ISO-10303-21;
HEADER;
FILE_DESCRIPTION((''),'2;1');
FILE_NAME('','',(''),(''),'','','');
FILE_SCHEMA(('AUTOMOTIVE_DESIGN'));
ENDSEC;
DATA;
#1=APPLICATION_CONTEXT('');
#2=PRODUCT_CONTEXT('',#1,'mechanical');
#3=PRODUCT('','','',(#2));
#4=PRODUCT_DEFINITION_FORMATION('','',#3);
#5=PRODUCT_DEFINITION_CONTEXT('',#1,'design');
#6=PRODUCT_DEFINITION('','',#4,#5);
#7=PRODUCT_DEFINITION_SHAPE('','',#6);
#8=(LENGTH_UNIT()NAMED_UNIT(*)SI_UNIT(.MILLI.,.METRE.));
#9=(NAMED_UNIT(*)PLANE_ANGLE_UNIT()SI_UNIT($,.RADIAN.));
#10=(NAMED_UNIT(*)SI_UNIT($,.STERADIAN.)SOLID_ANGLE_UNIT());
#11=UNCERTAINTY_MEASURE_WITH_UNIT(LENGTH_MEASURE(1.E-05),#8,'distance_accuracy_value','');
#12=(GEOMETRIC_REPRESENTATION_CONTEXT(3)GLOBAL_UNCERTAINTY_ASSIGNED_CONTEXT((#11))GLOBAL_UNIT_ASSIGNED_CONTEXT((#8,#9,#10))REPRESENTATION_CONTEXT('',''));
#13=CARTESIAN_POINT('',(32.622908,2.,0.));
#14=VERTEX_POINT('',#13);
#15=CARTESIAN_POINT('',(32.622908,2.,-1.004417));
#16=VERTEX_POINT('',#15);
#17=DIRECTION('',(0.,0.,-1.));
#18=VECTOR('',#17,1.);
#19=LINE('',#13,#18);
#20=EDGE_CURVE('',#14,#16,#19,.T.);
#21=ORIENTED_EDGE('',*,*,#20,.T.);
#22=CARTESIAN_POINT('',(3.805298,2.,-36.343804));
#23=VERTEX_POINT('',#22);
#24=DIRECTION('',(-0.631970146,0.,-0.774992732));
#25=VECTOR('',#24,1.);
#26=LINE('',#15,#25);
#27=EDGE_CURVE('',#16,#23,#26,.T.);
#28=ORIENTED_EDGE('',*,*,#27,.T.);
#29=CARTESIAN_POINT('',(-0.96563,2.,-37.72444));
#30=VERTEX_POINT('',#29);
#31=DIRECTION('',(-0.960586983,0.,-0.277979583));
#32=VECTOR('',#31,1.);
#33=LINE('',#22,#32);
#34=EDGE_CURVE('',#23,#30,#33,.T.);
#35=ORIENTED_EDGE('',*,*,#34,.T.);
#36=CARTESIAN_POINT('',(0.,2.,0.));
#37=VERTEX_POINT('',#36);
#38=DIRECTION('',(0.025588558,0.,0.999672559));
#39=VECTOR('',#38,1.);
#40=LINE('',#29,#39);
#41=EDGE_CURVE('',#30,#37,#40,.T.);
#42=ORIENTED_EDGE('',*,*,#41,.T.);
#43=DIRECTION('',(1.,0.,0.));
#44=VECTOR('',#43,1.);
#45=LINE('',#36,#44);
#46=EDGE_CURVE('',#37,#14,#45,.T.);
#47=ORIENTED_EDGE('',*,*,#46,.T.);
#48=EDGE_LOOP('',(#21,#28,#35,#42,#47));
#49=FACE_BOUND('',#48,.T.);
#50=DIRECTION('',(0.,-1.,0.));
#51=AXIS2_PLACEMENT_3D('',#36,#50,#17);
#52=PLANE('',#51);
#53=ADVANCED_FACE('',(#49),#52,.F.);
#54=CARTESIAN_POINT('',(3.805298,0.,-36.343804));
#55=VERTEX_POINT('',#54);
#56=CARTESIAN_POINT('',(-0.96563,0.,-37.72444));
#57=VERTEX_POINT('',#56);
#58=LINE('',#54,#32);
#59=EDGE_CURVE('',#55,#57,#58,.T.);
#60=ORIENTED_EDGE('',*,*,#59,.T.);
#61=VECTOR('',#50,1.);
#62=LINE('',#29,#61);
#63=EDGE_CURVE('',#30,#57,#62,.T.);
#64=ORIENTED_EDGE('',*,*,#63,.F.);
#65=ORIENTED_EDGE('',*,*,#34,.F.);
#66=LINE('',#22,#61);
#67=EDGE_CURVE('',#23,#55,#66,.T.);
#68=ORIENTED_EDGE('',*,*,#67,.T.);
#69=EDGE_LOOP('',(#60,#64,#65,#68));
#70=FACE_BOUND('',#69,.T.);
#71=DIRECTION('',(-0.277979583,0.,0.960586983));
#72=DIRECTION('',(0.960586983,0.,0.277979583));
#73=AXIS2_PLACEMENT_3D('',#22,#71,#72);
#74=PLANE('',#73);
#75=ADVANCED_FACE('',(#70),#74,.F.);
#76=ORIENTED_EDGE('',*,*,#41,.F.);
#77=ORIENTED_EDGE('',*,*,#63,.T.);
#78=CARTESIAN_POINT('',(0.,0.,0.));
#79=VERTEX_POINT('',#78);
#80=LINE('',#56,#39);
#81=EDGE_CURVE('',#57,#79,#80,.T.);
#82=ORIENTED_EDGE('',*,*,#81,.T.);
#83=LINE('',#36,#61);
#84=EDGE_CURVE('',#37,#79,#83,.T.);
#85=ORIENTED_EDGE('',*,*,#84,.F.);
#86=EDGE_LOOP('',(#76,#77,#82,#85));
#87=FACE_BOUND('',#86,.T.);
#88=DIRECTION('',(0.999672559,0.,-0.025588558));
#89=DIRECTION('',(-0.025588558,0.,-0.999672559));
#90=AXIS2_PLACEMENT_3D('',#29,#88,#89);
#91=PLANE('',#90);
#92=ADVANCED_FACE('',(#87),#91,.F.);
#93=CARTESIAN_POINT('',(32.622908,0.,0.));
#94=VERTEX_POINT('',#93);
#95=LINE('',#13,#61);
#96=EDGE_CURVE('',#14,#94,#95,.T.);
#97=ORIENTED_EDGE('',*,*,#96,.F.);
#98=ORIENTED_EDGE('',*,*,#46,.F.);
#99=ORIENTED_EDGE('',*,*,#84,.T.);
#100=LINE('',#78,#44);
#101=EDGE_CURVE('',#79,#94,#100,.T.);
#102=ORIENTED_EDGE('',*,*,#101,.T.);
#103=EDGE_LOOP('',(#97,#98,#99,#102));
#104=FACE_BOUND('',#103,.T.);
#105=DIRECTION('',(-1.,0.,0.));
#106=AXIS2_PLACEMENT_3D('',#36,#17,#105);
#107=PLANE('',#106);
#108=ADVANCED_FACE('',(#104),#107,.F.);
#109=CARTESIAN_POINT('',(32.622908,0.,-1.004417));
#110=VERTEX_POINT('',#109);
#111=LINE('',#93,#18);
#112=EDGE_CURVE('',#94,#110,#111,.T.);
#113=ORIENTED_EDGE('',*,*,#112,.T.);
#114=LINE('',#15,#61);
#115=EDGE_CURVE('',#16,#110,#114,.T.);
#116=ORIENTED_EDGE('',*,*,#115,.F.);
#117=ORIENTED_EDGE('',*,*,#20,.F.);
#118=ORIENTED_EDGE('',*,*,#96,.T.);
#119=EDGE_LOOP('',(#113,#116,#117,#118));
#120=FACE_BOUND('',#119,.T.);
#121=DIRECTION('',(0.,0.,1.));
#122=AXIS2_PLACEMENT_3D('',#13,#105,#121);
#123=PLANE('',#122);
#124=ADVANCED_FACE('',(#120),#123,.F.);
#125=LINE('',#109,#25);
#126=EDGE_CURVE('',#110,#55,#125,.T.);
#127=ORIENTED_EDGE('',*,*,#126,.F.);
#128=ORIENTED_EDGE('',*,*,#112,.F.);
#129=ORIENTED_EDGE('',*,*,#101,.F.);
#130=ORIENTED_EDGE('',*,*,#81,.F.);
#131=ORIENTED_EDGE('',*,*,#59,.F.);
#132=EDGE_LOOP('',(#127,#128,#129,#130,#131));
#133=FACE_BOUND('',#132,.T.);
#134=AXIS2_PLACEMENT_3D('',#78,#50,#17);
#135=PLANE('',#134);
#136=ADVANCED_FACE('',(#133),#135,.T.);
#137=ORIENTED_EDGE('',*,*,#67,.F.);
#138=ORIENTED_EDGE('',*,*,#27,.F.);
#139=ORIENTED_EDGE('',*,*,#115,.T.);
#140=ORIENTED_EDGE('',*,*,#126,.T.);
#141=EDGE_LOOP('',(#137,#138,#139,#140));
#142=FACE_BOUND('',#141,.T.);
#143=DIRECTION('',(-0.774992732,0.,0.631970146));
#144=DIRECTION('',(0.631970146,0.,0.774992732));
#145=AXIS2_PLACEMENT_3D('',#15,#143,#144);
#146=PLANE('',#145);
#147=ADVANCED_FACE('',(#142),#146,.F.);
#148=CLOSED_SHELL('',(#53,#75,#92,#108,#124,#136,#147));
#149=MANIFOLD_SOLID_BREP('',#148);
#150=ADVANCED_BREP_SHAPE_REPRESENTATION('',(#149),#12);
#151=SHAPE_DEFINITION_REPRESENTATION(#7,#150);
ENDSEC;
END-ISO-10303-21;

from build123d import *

# Parameters (mm, degrees)
BOSS_EXTRU_1_DEPTH = 2


with BuildPart() as part:
    # Esquisse1 → Boss.-Extru.1 (new body)
    with BuildSketch(Plane(origin=(0, 0, 0), x_dir=(1, 0, 0), z_dir=(0, 1, 0))):
        Polygon((32.622907632, 1.004416548), (3.80529815, 36.343804042), (-0.965630187, 37.724439731), (0, 0), (32.622907632, 0), align=None)
    extrude(amount=BOSS_EXTRU_1_DEPTH)


solid = part.part
